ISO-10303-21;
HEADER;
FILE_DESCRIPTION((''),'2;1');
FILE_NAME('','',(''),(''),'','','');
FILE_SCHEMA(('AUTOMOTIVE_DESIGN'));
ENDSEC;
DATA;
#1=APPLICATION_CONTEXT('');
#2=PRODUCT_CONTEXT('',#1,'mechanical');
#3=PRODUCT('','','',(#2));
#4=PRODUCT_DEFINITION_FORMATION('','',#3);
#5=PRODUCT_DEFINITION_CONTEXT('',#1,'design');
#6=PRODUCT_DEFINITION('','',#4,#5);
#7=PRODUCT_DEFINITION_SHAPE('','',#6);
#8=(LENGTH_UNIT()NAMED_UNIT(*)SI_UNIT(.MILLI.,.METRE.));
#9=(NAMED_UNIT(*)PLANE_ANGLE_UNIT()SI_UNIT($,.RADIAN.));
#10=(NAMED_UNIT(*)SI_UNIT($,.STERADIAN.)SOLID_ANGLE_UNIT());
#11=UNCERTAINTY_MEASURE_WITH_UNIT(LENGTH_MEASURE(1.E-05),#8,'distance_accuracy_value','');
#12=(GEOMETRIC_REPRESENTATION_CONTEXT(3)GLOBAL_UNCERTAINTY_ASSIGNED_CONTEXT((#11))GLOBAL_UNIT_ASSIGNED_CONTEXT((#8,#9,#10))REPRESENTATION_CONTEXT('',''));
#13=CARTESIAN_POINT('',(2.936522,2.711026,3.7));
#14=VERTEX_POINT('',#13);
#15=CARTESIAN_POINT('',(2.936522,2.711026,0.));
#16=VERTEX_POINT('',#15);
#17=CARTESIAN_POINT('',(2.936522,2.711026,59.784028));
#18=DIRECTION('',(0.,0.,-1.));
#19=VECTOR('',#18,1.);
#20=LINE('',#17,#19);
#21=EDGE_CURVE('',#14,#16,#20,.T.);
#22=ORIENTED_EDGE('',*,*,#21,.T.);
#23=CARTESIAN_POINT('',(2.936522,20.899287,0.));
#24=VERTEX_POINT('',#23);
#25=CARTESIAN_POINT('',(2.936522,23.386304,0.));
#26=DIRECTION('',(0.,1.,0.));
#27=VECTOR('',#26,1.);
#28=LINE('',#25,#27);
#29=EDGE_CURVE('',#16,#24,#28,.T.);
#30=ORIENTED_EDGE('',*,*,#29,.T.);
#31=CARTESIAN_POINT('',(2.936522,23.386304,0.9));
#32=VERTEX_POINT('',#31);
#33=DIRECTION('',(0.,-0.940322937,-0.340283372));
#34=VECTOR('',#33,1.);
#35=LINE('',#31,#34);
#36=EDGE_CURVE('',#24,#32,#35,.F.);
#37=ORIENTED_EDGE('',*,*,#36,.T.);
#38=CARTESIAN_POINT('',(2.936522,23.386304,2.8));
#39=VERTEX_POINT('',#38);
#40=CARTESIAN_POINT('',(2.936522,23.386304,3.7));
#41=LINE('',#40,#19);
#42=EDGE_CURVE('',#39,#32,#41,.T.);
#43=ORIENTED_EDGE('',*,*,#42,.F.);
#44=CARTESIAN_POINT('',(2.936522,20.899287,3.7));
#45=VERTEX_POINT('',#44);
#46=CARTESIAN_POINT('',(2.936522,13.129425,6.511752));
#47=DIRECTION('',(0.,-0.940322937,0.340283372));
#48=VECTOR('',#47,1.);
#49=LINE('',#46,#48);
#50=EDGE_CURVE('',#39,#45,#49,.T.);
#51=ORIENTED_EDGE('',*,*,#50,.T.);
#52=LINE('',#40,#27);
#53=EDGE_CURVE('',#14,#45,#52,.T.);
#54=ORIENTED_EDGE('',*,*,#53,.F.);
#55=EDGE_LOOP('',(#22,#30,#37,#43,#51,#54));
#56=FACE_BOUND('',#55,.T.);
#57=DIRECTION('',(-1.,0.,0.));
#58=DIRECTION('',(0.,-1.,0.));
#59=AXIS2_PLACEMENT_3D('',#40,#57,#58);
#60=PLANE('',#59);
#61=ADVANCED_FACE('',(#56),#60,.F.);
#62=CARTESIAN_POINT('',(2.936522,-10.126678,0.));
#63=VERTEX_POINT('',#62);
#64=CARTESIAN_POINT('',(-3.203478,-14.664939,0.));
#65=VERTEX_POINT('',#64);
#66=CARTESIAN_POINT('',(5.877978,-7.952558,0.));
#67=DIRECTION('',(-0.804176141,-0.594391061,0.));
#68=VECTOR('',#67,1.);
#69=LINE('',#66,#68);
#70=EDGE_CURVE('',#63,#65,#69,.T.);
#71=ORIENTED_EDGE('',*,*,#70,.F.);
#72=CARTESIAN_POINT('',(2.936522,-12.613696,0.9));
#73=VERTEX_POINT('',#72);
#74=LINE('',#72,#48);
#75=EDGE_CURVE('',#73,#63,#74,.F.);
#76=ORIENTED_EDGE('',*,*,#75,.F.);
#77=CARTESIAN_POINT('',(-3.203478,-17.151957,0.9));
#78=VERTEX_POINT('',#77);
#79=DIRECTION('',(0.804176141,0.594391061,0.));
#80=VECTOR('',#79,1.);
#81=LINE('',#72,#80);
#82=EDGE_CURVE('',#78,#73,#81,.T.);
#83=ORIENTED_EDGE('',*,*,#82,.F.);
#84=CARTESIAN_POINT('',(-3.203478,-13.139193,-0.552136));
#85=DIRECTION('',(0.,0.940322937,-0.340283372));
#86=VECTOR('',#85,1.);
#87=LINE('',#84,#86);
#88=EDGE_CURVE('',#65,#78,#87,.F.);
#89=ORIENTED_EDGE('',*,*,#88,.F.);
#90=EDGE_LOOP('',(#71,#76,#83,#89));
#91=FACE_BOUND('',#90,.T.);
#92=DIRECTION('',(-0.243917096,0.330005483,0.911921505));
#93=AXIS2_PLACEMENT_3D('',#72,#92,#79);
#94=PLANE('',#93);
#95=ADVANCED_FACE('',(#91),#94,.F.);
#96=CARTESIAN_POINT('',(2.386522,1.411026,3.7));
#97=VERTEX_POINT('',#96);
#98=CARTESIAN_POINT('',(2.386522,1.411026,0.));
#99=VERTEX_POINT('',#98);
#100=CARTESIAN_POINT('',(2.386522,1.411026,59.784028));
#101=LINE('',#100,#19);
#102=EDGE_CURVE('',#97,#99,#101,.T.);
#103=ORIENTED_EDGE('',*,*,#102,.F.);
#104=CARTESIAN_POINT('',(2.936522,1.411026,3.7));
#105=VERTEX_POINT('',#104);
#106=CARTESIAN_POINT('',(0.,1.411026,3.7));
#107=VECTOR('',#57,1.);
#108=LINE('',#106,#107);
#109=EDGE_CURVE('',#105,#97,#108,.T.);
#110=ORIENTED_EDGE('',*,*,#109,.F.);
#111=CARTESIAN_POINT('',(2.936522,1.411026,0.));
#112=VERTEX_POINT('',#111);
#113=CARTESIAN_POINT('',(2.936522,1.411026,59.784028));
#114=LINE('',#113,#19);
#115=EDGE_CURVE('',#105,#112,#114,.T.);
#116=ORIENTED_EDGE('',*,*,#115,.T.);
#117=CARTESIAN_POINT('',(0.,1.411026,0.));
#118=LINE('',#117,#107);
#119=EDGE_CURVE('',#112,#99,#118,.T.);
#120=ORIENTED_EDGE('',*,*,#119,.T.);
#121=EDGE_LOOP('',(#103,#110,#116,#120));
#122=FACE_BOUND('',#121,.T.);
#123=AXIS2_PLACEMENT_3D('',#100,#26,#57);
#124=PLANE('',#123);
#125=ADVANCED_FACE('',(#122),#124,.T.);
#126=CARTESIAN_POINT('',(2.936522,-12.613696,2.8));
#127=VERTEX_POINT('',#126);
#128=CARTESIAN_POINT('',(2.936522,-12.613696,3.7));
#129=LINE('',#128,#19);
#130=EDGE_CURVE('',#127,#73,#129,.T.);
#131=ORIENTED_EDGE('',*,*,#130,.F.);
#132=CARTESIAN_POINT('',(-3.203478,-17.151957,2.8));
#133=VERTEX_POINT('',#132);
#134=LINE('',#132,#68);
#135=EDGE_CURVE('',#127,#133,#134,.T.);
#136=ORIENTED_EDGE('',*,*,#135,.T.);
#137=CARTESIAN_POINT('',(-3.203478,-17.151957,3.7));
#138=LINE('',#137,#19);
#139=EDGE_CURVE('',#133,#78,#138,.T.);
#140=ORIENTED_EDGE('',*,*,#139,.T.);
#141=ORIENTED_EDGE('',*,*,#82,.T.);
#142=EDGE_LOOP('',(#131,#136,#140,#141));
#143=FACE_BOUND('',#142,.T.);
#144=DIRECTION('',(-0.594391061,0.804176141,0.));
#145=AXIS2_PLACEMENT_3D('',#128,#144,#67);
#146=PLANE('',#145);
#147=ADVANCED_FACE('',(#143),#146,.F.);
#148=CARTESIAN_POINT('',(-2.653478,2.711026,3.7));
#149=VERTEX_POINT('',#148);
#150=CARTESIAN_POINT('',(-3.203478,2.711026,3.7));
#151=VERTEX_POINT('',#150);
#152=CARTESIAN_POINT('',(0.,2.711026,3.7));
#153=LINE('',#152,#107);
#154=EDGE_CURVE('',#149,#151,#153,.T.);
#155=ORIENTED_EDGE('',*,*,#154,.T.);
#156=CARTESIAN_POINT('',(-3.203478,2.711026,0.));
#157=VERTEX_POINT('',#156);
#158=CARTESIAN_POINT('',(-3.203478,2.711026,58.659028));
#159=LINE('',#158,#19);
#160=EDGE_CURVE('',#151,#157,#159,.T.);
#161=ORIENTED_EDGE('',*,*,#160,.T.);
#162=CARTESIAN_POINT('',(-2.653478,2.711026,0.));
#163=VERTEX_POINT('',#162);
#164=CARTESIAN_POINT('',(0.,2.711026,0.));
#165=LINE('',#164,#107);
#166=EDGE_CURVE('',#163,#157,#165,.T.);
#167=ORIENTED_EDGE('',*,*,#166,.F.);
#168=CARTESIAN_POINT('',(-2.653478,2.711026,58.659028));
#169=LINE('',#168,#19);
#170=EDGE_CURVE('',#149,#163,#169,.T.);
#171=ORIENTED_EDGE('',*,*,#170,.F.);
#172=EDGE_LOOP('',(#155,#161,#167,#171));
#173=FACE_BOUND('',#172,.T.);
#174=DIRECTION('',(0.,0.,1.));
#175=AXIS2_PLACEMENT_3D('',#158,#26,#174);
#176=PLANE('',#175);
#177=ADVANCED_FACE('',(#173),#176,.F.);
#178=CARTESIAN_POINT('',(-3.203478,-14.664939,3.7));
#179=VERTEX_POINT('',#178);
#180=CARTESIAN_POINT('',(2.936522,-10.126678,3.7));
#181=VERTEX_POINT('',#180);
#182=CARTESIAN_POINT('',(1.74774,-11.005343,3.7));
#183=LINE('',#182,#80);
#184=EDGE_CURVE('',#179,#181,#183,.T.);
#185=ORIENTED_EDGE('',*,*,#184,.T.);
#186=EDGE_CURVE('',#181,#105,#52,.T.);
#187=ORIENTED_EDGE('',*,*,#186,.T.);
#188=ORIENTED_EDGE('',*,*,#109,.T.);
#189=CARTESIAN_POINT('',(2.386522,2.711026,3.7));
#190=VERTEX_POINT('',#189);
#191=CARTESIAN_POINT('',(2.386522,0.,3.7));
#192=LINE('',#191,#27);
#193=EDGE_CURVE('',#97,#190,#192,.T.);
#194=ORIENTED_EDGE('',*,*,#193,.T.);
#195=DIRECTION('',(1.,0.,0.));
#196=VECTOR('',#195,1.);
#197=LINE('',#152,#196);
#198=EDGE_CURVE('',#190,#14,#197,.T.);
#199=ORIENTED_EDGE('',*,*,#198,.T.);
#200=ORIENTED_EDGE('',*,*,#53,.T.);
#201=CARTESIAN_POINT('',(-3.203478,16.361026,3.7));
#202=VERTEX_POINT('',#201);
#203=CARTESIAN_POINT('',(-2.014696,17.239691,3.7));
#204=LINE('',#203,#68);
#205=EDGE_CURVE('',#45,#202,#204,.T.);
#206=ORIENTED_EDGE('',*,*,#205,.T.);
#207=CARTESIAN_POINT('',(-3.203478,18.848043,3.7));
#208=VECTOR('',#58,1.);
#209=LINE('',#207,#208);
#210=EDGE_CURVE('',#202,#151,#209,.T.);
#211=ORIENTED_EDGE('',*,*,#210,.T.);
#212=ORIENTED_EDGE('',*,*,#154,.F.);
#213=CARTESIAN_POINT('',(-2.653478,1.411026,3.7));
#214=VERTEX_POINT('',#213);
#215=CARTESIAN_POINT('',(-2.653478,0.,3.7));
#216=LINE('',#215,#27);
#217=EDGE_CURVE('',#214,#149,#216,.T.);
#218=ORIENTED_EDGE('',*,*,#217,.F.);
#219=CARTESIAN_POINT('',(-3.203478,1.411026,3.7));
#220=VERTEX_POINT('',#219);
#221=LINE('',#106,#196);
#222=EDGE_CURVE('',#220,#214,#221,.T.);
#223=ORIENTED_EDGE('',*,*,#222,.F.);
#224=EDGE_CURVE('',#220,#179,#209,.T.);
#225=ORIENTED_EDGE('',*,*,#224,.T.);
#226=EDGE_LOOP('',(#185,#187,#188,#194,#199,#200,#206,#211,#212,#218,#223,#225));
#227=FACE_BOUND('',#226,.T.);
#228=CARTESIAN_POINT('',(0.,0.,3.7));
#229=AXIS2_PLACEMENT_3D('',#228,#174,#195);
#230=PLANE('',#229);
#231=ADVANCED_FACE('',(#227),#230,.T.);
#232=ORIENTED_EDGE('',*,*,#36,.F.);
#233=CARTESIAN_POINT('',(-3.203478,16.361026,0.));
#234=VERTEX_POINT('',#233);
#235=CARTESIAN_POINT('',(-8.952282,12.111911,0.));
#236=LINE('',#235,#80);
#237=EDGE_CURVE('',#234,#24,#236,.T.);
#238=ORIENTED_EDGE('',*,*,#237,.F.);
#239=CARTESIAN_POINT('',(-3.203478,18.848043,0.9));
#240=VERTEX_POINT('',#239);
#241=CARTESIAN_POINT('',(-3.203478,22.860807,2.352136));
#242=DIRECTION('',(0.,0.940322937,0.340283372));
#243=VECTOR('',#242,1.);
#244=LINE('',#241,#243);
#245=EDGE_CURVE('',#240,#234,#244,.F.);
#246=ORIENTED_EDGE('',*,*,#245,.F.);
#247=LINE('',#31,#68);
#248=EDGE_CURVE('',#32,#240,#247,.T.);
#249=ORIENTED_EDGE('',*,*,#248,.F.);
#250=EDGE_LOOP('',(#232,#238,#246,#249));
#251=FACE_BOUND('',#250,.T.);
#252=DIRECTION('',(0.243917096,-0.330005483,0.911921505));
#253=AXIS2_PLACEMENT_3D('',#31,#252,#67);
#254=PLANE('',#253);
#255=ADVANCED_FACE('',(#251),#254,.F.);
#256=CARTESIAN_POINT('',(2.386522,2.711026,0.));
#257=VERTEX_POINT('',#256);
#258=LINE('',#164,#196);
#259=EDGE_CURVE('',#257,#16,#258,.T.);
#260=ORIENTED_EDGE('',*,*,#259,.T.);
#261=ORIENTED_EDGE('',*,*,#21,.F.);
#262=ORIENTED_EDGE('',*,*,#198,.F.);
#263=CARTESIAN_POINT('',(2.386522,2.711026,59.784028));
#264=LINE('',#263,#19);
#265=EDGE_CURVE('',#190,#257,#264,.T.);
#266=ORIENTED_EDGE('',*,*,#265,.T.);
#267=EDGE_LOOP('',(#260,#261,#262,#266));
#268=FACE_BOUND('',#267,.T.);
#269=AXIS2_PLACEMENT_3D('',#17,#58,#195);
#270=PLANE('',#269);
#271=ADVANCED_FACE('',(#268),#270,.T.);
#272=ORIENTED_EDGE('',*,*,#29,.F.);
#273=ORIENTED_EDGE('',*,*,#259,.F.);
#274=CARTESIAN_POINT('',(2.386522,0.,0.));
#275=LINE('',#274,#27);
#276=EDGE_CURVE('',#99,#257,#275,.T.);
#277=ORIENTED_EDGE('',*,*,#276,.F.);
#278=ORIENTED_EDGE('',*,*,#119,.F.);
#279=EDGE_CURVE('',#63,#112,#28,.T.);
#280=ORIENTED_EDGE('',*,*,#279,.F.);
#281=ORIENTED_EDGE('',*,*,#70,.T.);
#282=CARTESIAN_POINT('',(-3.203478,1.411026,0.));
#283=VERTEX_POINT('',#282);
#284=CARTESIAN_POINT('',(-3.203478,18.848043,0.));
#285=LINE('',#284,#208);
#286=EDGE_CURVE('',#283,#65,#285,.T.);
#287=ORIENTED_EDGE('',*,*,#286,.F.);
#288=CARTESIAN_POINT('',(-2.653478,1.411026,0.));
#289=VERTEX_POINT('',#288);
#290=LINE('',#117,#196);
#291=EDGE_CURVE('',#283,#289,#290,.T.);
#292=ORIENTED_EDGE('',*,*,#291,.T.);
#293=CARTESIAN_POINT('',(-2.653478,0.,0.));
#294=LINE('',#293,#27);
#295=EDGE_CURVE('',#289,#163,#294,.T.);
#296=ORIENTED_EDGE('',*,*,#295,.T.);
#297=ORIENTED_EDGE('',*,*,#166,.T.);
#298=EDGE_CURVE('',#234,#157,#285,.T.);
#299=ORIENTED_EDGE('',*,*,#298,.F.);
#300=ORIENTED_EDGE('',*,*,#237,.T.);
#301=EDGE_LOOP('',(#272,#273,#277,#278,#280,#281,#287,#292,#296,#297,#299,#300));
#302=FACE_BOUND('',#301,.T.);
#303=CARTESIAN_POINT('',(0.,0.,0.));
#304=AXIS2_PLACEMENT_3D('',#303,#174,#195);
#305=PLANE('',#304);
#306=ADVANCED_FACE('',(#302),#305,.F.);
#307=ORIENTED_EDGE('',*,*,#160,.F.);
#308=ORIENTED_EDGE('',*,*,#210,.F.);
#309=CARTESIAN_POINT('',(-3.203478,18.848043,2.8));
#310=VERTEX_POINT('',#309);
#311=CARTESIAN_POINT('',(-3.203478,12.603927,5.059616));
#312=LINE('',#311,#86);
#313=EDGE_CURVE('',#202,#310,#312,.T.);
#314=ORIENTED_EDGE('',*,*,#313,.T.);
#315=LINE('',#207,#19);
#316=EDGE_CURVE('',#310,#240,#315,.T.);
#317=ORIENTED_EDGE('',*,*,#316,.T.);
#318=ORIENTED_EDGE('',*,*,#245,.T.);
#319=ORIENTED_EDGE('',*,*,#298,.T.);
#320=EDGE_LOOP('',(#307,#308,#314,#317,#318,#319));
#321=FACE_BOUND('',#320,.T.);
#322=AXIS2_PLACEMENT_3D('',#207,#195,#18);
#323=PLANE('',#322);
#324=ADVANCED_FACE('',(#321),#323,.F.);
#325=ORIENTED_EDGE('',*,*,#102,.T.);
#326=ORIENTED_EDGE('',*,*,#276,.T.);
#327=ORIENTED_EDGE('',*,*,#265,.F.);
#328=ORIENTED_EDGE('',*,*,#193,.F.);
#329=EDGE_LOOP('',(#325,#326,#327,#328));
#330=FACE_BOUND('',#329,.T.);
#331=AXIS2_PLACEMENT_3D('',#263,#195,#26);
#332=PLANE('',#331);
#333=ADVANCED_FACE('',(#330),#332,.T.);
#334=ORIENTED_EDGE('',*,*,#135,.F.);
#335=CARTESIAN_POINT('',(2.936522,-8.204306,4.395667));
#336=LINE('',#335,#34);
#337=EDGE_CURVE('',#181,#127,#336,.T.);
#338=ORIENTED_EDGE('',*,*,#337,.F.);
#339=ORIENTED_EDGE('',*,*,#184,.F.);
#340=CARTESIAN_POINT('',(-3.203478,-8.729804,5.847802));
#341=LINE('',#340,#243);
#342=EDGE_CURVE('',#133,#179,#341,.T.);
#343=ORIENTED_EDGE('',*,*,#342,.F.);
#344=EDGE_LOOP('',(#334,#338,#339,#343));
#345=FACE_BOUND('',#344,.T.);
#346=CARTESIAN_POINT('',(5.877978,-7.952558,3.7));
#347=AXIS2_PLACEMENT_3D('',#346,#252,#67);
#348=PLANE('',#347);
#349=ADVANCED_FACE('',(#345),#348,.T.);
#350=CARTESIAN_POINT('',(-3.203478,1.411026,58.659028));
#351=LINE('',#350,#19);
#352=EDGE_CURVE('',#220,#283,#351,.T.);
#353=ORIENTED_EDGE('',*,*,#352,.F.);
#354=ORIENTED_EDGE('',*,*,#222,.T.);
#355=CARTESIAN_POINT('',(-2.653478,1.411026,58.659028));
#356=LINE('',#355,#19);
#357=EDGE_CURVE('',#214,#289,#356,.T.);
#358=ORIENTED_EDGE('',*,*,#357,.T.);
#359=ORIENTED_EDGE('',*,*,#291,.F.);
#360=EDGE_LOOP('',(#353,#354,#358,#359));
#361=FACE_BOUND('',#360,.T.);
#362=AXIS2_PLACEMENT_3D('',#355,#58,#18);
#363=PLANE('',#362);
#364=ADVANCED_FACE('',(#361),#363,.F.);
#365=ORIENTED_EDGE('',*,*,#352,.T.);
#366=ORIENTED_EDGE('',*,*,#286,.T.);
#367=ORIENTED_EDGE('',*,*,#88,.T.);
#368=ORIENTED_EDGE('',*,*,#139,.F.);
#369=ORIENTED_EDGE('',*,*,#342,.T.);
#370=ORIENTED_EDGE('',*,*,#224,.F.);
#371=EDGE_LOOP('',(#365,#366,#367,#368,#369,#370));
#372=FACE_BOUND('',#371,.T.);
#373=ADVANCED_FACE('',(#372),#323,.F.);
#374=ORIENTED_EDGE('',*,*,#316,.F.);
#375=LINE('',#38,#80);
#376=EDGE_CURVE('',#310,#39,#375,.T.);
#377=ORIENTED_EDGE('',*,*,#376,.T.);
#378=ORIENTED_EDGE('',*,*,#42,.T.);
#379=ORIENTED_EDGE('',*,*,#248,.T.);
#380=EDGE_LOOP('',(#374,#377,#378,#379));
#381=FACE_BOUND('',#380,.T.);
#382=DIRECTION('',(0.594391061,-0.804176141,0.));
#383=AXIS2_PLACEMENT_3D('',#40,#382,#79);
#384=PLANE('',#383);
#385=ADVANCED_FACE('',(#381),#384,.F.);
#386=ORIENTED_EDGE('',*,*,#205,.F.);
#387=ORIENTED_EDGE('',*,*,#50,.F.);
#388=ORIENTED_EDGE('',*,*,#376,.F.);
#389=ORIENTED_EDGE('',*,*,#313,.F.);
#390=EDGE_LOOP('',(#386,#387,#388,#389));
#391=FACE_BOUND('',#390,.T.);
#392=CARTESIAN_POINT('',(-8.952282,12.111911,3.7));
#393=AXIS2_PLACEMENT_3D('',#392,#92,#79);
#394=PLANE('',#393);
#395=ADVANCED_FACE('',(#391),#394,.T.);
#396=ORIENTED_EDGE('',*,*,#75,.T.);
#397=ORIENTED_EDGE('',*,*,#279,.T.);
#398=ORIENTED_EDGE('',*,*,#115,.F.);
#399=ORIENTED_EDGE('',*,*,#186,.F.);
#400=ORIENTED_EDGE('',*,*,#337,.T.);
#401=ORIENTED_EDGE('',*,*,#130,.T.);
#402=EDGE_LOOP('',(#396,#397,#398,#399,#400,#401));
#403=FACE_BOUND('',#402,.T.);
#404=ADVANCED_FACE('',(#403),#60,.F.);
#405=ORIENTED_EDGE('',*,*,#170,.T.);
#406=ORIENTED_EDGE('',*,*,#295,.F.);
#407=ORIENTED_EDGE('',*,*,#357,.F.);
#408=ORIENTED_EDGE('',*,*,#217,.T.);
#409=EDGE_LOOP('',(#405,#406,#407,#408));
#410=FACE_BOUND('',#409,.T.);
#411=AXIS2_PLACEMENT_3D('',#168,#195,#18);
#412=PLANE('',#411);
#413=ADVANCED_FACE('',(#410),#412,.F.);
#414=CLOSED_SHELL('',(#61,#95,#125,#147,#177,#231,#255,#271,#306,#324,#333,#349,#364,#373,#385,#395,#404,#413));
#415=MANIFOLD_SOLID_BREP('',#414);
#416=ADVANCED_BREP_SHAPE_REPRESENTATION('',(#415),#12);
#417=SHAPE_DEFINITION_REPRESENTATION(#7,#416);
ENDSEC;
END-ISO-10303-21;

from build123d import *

# Parameters (mm, degrees)
BOSS_EXTRUDE1_DEPTH     = 3.7
CHAMFER1_SIZE           = 0.9
CHAMFER1_SIZE2          = 2
CHAMFER2_SIZE           = 2
CHAMFER2_SIZE2          = 0.9
CHAMFER4_SIZE           = 0.9
CHAMFER4_SIZE2          = 2
CHAMFER5_SIZE           = 2
CHAMFER5_SIZE2          = 0.9
CUT_EXTRUDE2_DEPTH      = 1
CUT_EXTRUDE2_DEPTH_BACK = 4.7
CUT_EXTRUDE4_DEPTH      = 1
CUT_EXTRUDE4_DEPTH_BACK = 4.7


with BuildPart() as part:
    # Sketch1 → Boss-Extrude1 (new body)
    with BuildSketch(Plane.XY):
        Polygon((2.936521739, 23.386304348), (2.936521739, -12.613695652), (-3.203478261, -17.151956522), (-3.203478261, 18.848043478), align=None)
    extrude(amount=BOSS_EXTRUDE1_DEPTH)

    # Chamfer1
    chamfer1_edges = [part.edges().sort_by_distance(p)[0] for p in [
        (-0.133478261, 21.117173913, 3.7),
    ]]
    chamfer1_side = [part.faces().sort_by_distance(p)[0] for p in [
        (-0.133478261, 21.117173913, 1.85),
    ]]
    chamfer(chamfer1_edges, length=CHAMFER1_SIZE, length2=CHAMFER1_SIZE2, reference=chamfer1_side[0])

    # Chamfer2
    chamfer2_edges = [part.edges().sort_by_distance(p)[0] for p in [
        (-0.133478261, 21.117173913, 0),
    ]]
    chamfer2_side = [part.faces().sort_by_distance(p)[0] for p in [
        (-0.133478261, 3.117173913, 0),
    ]]
    chamfer(chamfer2_edges, length=CHAMFER2_SIZE, length2=CHAMFER2_SIZE2, reference=chamfer2_side[0])

    # Chamfer4
    chamfer4_edges = [part.edges().sort_by_distance(p)[0] for p in [
        (-0.133478261, -14.882826087, 3.7),
    ]]
    chamfer4_side = [part.faces().sort_by_distance(p)[0] for p in [
        (-0.133478261, -14.882826087, 1.85),
    ]]
    chamfer(chamfer4_edges, length=CHAMFER4_SIZE, length2=CHAMFER4_SIZE2, reference=chamfer4_side[0])

    # Chamfer5
    chamfer5_edges = [part.edges().sort_by_distance(p)[0] for p in [
        (-0.133478261, -14.882826087, 0),
    ]]
    chamfer5_side = [part.faces().sort_by_distance(p)[0] for p in [
        (-0.133478261, 1.873665248, 0),
    ]]
    chamfer(chamfer5_edges, length=CHAMFER5_SIZE, length2=CHAMFER5_SIZE2, reference=chamfer5_side[0])

    # Sketch2 → Cut-Extrude2 (cut, two sides)
    with BuildSketch(Plane.XY.offset(3.7)) as cut_extrude2_sk:
        Polygon((-58.837345155, 2.711026149), (-3.203478261, 2.711026149), (-2.653478261, 2.711026149), (-2.653478261, 1.411026149), (-3.203478261, 1.411026149), (-58.837345155, 1.411026149), (-170.105078945, 1.411026149), (-170.105078945, 2.711026149), align=None)
    extrude(amount=CUT_EXTRUDE2_DEPTH, mode=Mode.SUBTRACT)
    extrude(cut_extrude2_sk.sketch, amount=-CUT_EXTRUDE2_DEPTH_BACK, mode=Mode.SUBTRACT)

    # Sketch3 → Cut-Extrude4 (cut, two sides)
    with BuildSketch(Plane.XY.offset(3.7)) as cut_extrude4_sk:
        Polygon((58.570388634, 2.711026149), (2.936521739, 2.711026149), (2.386521739, 2.711026149), (2.386521739, 1.411026149), (2.936521739, 1.411026149), (58.570388634, 1.411026149), (169.838122423, 1.411026149), (169.838122423, 2.711026149), align=None)
    extrude(amount=CUT_EXTRUDE4_DEPTH, mode=Mode.SUBTRACT)
    extrude(cut_extrude4_sk.sketch, amount=-CUT_EXTRUDE4_DEPTH_BACK, mode=Mode.SUBTRACT)


solid = part.part
